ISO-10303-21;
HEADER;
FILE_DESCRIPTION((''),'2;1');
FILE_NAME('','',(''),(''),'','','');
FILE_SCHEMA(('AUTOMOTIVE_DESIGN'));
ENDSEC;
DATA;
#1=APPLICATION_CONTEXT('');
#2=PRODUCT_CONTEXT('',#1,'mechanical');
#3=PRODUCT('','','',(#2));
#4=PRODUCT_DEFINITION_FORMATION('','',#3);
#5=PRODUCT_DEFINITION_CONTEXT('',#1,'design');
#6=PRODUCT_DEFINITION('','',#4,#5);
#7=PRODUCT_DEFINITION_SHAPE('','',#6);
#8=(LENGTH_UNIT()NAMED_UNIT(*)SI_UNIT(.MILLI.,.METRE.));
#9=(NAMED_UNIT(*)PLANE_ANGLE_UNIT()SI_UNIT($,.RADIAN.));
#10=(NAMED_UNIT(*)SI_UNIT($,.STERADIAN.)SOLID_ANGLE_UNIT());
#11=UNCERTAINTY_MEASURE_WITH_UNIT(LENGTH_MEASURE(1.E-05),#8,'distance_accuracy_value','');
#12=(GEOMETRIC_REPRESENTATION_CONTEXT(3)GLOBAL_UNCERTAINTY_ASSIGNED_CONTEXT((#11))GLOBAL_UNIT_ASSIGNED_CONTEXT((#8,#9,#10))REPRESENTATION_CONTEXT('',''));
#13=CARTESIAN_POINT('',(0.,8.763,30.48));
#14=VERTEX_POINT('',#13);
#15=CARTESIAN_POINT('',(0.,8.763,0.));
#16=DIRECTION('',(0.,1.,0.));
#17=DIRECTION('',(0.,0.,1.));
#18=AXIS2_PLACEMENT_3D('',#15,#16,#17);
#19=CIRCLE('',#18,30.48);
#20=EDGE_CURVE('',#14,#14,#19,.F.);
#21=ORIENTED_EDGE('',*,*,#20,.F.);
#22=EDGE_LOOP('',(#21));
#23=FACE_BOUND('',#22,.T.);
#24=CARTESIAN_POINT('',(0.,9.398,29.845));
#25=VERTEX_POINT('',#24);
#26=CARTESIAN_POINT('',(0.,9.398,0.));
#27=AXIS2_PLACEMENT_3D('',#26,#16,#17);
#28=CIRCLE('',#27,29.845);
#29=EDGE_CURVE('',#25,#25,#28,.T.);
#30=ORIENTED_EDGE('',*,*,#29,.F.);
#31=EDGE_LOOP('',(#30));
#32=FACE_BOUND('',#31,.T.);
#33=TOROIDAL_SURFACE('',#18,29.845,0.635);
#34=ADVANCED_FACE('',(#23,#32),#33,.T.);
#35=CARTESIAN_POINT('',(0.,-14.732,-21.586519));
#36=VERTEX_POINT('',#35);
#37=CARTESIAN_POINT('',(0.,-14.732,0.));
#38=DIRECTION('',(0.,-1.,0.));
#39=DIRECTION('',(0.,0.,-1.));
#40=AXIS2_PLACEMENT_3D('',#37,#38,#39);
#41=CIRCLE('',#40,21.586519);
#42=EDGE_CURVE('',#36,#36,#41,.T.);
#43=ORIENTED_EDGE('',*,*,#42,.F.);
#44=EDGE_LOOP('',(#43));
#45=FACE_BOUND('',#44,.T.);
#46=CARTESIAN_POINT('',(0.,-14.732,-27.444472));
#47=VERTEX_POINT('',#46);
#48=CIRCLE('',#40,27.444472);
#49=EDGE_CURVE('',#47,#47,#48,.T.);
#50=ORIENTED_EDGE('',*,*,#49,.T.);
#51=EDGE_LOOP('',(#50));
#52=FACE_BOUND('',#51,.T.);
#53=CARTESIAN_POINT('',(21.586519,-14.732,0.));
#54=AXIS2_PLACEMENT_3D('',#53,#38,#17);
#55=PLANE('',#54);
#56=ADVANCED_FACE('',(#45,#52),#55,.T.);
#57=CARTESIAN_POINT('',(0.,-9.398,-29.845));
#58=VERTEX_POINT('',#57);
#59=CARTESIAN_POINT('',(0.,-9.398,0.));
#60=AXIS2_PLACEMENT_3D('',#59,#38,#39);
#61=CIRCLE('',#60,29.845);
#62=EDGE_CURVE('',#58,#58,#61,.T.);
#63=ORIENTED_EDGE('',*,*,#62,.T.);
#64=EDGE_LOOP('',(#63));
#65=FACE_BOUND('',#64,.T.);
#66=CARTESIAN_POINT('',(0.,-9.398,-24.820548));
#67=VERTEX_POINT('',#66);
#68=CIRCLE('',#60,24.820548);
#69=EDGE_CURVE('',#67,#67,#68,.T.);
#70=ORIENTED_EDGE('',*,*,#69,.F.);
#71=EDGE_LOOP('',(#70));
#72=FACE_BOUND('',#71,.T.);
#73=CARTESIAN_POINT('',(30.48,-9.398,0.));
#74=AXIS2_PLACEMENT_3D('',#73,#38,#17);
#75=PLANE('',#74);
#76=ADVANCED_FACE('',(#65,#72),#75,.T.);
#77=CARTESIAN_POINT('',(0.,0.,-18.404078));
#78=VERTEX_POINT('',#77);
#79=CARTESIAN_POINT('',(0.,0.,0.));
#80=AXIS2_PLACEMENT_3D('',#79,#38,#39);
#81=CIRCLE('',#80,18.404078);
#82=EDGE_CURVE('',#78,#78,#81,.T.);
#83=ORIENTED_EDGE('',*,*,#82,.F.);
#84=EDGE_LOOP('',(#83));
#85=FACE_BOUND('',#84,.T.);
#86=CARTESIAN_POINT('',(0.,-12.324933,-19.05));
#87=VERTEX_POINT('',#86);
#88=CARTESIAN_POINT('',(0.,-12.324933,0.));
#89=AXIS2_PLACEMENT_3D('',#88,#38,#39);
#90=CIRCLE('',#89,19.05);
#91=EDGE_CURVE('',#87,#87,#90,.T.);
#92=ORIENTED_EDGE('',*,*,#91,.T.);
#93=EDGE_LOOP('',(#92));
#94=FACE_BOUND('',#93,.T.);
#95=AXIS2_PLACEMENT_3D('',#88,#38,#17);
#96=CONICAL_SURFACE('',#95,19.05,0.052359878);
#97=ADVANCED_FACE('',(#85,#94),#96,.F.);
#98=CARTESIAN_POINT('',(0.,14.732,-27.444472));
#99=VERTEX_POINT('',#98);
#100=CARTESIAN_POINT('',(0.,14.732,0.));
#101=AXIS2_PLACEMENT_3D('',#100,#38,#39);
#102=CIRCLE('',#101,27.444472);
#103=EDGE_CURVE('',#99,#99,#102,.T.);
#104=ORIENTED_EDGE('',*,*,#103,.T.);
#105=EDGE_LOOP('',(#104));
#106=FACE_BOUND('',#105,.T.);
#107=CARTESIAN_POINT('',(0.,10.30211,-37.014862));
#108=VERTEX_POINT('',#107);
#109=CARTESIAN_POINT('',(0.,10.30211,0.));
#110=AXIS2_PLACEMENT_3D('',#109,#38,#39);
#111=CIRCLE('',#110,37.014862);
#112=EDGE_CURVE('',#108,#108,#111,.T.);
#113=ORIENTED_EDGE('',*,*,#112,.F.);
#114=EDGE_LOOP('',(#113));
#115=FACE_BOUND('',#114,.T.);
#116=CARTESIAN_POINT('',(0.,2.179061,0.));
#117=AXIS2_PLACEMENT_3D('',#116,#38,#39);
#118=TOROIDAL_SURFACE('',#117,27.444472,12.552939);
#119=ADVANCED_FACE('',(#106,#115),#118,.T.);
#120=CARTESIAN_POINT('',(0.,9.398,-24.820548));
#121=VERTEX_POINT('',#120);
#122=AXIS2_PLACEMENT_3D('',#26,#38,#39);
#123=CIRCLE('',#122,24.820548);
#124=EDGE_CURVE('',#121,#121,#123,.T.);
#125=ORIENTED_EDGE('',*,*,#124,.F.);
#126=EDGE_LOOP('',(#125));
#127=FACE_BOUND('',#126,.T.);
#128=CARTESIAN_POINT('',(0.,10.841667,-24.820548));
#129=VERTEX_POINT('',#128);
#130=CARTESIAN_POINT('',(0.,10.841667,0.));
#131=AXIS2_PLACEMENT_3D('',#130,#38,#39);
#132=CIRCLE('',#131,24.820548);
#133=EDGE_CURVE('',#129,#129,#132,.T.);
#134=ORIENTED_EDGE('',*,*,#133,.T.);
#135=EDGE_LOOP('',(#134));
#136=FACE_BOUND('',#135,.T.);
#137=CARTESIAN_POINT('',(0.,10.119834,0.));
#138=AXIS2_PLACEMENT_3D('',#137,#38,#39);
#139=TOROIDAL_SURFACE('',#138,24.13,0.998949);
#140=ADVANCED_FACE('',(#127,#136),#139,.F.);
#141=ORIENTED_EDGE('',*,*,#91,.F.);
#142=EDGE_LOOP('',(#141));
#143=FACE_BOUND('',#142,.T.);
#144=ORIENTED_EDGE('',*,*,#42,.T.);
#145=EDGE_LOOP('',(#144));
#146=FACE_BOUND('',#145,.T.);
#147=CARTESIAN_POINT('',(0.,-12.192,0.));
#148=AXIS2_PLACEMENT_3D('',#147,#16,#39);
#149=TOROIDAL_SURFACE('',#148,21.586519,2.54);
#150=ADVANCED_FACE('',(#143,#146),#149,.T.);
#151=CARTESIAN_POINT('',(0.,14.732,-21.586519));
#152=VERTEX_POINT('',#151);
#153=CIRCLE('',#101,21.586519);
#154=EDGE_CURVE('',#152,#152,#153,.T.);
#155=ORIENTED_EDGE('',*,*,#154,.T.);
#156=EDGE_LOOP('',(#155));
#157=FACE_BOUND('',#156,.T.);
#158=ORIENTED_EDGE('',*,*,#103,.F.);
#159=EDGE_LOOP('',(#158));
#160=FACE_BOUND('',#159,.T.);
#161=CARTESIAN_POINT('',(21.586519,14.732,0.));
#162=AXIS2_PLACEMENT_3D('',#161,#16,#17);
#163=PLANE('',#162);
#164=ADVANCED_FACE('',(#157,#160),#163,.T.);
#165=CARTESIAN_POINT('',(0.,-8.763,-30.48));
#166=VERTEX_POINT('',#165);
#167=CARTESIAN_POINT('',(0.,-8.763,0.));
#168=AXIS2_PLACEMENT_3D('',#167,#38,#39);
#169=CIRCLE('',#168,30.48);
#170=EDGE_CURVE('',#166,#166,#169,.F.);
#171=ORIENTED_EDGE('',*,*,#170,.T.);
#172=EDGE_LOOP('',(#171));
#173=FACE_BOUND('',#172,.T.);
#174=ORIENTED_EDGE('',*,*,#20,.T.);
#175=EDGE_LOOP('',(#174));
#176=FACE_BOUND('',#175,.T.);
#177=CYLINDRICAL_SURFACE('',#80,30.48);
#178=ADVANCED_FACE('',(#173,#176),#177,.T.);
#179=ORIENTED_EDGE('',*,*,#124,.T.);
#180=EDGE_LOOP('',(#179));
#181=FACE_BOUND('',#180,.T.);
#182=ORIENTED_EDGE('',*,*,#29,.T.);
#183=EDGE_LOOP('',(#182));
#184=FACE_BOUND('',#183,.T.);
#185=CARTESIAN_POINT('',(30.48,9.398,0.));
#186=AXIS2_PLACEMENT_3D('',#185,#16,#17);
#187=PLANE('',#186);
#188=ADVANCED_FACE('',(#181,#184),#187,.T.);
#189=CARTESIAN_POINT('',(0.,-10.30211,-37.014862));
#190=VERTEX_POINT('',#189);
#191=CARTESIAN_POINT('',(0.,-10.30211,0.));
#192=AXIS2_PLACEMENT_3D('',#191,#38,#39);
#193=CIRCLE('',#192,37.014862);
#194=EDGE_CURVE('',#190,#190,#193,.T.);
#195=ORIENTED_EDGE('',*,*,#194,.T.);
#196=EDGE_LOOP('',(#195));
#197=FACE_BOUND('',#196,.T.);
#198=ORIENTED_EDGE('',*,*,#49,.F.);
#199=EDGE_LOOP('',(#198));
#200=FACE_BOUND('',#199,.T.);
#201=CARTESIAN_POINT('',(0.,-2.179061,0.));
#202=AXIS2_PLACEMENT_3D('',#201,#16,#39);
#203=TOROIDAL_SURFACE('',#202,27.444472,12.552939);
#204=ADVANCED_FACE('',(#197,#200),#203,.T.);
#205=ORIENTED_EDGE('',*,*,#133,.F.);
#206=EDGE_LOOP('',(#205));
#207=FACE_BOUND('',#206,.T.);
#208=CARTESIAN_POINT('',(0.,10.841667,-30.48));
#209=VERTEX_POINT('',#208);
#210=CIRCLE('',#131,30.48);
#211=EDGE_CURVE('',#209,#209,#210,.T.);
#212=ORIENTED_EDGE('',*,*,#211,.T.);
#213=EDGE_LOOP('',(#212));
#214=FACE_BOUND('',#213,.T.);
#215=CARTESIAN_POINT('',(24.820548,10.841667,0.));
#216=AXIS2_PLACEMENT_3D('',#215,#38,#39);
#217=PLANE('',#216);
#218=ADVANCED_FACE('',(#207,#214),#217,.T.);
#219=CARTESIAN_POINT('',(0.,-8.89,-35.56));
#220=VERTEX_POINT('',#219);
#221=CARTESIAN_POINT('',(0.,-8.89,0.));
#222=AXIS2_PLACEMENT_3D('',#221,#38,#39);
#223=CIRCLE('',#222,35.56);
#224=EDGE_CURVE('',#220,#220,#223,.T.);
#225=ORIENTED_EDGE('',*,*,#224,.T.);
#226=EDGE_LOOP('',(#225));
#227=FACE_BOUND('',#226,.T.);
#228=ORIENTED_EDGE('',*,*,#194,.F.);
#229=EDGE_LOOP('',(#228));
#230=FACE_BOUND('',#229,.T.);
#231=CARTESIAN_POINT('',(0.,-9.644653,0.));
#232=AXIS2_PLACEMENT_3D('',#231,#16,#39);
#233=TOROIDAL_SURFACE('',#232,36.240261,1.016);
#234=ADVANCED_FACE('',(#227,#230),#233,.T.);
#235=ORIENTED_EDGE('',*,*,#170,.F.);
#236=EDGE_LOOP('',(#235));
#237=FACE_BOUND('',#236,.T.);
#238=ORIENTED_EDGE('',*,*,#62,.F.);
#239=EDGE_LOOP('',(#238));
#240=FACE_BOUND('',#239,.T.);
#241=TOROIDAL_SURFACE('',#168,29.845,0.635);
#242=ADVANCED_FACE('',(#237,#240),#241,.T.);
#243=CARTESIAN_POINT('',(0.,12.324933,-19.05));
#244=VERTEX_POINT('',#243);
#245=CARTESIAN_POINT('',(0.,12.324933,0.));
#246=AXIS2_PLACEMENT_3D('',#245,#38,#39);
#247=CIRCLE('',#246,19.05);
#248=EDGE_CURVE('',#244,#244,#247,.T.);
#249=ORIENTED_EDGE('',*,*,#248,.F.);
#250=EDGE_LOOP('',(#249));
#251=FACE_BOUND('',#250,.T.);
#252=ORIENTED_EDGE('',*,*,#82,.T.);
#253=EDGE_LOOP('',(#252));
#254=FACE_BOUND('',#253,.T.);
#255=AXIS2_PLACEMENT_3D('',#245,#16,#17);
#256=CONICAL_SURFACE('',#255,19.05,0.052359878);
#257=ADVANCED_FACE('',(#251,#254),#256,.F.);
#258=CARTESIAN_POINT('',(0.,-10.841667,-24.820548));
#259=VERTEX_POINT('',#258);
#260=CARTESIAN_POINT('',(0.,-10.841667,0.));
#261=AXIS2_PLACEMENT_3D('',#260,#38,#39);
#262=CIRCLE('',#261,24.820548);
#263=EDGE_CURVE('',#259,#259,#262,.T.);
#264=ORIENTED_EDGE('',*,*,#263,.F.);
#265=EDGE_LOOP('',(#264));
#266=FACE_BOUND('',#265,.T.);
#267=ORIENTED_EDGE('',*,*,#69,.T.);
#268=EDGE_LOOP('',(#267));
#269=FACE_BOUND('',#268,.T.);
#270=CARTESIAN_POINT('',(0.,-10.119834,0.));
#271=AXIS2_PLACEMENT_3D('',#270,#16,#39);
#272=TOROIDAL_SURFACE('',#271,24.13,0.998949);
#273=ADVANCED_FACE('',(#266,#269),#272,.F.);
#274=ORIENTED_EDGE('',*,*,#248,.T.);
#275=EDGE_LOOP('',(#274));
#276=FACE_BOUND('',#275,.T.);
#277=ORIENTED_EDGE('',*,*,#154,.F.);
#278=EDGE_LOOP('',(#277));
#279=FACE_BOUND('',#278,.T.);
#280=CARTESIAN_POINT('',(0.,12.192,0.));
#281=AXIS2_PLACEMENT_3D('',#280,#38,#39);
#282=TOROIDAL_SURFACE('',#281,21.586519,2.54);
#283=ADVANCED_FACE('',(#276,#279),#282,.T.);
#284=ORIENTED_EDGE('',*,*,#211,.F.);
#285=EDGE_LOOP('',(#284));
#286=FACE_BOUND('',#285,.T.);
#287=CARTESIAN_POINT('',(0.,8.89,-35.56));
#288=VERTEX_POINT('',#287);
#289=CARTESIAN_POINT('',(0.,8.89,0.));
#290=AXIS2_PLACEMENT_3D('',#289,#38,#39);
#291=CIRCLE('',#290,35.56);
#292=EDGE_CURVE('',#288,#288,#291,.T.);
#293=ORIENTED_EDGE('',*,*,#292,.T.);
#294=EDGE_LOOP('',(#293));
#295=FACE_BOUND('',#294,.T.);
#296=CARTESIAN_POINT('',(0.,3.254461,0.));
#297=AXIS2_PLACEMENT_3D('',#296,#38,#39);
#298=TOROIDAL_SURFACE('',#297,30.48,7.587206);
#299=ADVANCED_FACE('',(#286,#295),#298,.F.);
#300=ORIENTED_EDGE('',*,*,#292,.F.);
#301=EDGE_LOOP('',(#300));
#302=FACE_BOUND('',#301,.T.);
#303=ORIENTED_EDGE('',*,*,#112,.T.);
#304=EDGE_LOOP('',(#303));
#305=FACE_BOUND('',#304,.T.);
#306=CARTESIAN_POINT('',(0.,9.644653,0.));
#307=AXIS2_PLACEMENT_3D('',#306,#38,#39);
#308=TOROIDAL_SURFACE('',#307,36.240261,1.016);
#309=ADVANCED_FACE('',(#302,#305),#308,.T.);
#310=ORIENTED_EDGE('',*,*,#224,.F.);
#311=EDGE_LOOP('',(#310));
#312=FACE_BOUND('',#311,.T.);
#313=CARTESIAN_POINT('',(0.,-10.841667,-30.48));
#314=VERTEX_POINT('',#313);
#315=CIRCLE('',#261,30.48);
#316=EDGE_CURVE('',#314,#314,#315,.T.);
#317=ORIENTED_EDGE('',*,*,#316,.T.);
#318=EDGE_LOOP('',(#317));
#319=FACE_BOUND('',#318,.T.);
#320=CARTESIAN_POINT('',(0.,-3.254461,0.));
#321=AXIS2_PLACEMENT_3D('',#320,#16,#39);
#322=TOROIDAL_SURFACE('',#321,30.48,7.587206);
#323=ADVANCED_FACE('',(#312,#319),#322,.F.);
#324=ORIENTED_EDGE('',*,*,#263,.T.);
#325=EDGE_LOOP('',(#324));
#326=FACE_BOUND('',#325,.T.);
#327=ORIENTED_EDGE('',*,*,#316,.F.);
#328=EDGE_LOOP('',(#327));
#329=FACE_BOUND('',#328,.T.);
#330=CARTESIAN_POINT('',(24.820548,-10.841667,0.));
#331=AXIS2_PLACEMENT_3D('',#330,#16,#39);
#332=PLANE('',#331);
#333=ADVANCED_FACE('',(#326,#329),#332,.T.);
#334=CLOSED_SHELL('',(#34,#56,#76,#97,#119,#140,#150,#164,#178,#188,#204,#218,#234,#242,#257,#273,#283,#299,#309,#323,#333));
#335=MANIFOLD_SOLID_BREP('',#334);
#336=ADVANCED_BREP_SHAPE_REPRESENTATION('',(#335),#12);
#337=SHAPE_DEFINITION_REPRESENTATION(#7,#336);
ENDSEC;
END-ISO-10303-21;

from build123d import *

# Parameters (mm, degrees)
FILLET1_R            = 0.635
FILLET1_OF_MIRROR1_R = 0.635


with BuildPart() as part:
    # Sketch1 → Revolve1 (revolve)
    with BuildSketch(Plane.XY, mode=Mode.PRIVATE) as revolve1_sk:
        with BuildLine():
            Line((18.404077614, 0), (19.05, 12.324933329))
            ThreePointArc((19.05, 12.324933329), (19.838098396, 14.034450902), (21.586519018, 14.732))
            Line((21.586519018, 14.732), (27.444472362, 14.732))
            ThreePointArc((27.444472362, 14.732), (32.717428763, 13.570821522), (37.014861646, 10.302109959))
            ThreePointArc((37.014861646, 10.302109959), (36.947889799, 8.915600581), (35.56, 8.89))
            ThreePointArc((35.56, 8.89), (33.201001894, 10.336963958), (30.48, 10.841667293))
            Line((30.48, 10.841667293), (24.820547676, 10.841667293))
            ThreePointArc((24.820547676, 10.841667293), (23.131050599, 10.119833647), (24.820547676, 9.398))
            Line((24.820547676, 9.398), (30.48, 9.398))
            Line((30.48, 9.398), (30.48, 0))
            Line((30.48, 0), (18.404077614, 0))
        make_face()
    revolve1 = revolve(revolve1_sk.sketch.rotate(Axis((0, 0, 0), (0, 1, 0)), 90), axis=Axis((0, 0, 0), (0, 1, 0)))

    # Fillet1
    fillet1_edges = [part.edges().sort_by_distance(p)[0] for p in [
        (0, 9.398, 30.48),
    ]]
    fillet(fillet1_edges, radius=FILLET1_R)

    # Mirror1: Revolve1 across plane
    add(revolve1.mirror(Plane.ZX))

    # Fillet1 of Mirror1
    fillet1_of_mirror1_edges = [part.edges().sort_by_distance(p)[0] for p in [
        (0, -9.398, 30.48),
    ]]
    fillet(fillet1_of_mirror1_edges, radius=FILLET1_OF_MIRROR1_R)


solid = part.part
